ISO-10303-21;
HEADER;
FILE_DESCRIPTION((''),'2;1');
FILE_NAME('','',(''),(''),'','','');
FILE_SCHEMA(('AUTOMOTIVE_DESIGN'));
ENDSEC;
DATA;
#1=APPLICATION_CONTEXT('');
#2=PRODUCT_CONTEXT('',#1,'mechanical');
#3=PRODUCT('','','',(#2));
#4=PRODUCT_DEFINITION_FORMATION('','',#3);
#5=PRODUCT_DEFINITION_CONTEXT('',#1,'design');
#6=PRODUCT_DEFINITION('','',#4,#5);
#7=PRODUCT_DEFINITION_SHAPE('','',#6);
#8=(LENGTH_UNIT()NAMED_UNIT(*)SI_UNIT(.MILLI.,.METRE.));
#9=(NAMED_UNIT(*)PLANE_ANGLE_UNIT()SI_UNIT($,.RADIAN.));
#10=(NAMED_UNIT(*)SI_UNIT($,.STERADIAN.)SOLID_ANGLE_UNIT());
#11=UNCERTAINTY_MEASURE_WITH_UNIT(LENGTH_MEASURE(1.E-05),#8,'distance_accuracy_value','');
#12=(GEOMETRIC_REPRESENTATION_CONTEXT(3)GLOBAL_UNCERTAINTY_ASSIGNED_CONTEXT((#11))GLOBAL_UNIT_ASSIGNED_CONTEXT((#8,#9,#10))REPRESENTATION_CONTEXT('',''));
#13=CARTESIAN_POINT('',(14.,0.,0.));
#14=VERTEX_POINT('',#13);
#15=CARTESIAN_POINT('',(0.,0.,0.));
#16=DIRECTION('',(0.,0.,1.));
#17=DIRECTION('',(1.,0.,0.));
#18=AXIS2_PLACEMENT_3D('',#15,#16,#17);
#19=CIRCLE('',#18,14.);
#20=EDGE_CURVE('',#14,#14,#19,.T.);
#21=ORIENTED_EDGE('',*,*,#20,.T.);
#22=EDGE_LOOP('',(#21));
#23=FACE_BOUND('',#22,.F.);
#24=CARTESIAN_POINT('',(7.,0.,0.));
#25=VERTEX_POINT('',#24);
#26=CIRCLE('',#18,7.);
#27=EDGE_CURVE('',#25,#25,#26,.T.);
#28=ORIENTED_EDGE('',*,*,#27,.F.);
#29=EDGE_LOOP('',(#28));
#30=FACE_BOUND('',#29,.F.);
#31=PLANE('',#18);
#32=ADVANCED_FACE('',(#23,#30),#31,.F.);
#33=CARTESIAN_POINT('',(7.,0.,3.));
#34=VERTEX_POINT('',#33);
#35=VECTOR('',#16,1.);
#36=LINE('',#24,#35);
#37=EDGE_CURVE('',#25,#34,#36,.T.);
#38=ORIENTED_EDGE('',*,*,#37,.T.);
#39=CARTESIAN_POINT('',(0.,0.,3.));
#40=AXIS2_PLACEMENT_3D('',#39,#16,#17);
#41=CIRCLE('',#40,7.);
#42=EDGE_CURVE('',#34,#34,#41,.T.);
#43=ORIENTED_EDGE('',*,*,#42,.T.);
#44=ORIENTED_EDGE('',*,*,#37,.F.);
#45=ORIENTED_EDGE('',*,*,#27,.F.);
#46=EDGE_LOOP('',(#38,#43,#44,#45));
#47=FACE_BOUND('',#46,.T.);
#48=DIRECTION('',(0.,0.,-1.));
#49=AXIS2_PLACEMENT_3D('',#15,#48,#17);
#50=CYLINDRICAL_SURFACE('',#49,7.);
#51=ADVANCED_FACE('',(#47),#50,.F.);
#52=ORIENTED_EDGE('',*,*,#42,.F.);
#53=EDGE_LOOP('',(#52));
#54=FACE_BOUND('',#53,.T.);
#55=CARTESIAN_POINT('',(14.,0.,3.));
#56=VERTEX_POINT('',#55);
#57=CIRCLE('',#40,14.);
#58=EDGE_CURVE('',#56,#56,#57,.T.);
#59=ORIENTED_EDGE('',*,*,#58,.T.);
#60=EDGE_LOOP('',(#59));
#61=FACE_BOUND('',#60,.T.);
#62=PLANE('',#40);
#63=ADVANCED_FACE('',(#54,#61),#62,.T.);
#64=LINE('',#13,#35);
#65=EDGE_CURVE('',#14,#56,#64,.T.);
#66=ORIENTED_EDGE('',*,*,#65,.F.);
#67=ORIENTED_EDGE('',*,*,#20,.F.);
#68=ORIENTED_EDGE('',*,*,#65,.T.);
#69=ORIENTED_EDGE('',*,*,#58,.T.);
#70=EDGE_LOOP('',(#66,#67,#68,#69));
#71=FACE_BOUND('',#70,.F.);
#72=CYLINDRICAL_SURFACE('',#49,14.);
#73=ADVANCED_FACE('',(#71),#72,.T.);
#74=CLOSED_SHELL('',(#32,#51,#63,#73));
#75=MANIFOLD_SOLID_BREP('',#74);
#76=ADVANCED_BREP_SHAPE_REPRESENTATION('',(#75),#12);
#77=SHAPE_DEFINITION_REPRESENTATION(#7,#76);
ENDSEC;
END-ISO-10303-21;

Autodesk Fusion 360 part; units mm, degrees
sketch "Sketch1" plane through (0, 0, 0) normal (0, 0, 1) x (1, 0, 0)
  circle A0 centre (0, 0) radius 7
  circle A1 centre (0, 0) radius 14
  dimension "d1" = 14
  dimension "d2" = 28
extrude "Extrude1" add sketch "Sketch1" along normal blind 3
